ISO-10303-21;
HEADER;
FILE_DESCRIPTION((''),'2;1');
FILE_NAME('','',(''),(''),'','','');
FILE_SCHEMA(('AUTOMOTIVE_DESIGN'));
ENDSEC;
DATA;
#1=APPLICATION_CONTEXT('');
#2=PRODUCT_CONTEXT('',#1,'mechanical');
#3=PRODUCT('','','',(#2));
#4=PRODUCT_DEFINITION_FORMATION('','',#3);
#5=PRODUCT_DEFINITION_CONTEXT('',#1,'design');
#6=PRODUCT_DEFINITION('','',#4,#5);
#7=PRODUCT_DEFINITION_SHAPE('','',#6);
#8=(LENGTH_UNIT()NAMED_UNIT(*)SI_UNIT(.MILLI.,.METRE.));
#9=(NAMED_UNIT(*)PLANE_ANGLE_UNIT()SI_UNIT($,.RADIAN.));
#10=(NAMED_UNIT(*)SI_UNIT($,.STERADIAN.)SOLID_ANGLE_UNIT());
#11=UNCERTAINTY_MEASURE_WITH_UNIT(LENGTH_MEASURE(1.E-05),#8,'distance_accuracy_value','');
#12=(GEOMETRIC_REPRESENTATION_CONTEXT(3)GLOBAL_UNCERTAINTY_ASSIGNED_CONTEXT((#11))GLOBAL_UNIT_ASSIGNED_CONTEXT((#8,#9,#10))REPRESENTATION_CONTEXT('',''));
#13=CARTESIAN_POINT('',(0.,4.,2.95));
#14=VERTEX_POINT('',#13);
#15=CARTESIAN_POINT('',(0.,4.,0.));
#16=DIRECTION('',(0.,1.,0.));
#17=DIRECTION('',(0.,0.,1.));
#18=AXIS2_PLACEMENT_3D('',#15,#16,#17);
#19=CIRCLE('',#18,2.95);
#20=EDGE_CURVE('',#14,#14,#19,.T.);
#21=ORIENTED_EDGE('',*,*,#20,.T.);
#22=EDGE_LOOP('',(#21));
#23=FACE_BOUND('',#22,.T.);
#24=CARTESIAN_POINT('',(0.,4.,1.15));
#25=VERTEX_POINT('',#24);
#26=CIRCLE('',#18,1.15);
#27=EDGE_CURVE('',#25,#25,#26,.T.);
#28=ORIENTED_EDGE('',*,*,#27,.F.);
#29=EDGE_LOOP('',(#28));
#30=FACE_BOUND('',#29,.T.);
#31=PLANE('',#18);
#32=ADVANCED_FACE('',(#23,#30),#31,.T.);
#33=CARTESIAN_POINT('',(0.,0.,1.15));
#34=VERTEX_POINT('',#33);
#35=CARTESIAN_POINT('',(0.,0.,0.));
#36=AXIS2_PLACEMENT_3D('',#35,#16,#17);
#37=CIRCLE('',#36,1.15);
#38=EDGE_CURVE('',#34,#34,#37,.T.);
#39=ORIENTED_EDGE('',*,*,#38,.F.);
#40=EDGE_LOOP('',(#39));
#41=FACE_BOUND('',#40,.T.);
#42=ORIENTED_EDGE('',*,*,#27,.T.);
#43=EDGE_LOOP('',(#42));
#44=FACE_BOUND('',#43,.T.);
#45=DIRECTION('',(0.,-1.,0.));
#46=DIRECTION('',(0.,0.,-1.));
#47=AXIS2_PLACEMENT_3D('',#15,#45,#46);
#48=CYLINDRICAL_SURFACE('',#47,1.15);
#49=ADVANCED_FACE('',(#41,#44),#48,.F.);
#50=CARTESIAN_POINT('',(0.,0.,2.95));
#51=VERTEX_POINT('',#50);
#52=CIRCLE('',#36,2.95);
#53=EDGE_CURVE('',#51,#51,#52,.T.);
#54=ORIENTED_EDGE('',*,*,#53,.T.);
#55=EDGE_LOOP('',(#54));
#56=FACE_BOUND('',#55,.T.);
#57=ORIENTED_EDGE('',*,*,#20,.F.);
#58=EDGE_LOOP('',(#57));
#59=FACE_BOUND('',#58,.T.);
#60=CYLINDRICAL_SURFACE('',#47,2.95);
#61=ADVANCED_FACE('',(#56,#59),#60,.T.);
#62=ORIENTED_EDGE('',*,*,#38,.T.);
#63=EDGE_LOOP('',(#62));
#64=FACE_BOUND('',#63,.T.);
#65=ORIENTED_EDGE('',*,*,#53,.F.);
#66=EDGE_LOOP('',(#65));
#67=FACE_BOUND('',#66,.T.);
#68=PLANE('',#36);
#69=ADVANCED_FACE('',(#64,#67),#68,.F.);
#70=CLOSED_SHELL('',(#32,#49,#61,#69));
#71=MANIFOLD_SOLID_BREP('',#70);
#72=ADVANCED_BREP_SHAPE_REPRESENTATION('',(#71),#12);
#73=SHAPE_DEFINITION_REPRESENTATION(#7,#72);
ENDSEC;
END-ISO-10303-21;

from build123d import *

# Parameters (mm, degrees)
SKETCH1_R           = 2.95
SKETCH1_R_2         = 1.15
BOSS_EXTRUDE1_DEPTH = 4


with BuildPart() as part:
    # Sketch1 → Boss-Extrude1 (new body)
    with BuildSketch(Plane(origin=(0, 0, 0), x_dir=(1, 0, 0), z_dir=(0, 1, 0))):
        with Locations(Location((0, 0, 0), (0, 0, 270))):
            Circle(SKETCH1_R)
        with Locations(Location((0, 0, 0), (0, 0, 270))):
            Circle(SKETCH1_R_2, mode=Mode.SUBTRACT)
    extrude(amount=BOSS_EXTRUDE1_DEPTH)


solid = part.part
